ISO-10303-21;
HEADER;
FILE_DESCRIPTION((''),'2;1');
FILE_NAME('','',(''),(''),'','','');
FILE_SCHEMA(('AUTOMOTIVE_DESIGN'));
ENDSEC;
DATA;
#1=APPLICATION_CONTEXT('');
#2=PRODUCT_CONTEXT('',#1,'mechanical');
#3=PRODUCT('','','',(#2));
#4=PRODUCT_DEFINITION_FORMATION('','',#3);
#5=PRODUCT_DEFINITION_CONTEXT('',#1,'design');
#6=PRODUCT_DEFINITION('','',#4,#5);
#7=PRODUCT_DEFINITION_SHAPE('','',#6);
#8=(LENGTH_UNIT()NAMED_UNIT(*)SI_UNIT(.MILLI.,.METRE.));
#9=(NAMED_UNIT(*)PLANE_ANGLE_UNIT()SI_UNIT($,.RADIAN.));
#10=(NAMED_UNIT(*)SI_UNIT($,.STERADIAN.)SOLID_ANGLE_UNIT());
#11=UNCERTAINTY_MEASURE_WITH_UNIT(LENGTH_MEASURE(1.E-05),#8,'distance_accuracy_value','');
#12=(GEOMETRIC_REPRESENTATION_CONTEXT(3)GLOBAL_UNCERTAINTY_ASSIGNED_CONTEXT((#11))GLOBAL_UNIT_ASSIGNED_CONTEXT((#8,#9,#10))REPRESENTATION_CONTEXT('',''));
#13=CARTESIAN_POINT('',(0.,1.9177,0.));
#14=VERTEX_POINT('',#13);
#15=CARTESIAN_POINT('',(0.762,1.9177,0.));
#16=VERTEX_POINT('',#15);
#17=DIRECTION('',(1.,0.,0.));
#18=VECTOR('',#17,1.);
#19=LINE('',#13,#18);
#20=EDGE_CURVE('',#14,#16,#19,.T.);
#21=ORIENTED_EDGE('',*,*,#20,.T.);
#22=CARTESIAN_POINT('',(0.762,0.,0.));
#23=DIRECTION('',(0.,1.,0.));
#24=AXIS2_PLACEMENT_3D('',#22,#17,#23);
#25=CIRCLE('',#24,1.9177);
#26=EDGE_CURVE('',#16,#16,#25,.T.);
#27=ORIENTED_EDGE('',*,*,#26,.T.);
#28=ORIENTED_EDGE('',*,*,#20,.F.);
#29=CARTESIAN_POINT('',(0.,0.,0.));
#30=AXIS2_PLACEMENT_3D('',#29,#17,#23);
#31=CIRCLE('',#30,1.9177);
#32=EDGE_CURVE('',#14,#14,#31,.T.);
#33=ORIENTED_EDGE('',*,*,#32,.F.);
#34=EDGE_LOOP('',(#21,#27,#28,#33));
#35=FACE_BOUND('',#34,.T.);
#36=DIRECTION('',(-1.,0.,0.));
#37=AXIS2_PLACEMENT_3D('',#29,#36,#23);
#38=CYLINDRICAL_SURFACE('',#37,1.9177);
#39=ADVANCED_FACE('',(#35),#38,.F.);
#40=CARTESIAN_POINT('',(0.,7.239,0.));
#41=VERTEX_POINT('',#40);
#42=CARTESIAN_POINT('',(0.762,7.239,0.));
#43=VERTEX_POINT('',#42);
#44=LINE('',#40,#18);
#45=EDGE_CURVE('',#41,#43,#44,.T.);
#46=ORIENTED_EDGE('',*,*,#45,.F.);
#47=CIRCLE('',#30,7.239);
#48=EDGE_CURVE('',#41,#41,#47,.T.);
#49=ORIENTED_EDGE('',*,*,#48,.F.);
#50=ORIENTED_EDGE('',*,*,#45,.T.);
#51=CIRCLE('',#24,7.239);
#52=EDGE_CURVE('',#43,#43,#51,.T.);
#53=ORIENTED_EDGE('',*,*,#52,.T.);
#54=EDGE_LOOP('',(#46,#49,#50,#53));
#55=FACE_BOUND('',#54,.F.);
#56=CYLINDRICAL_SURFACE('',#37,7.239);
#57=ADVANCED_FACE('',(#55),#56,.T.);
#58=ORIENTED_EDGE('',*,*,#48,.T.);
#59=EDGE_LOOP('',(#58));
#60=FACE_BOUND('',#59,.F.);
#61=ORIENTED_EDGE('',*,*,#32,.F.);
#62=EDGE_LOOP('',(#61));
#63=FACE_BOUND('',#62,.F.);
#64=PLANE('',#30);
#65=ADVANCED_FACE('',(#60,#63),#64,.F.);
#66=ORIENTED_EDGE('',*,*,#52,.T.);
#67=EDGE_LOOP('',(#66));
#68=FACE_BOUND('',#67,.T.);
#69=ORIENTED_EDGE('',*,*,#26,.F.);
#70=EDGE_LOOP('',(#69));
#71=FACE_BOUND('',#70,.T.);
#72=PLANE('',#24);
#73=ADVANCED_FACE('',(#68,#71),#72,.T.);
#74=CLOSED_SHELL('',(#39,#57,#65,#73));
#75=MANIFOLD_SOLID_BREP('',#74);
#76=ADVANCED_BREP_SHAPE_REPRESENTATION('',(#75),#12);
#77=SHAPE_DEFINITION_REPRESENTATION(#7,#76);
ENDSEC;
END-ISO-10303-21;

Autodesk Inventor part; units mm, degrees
ref_plane "YZ Plane" through (0, 0, 0) normal (1, 0, 0) x (0, 1, 0)
ref_plane "XZ Plane" through (0, 0, 0) normal (0, 1, 0) x (-1, 0, 0)
sketch "Sketch" plane through (0, 0, 0) normal (1, 0, 0) x (0, 1, 0)
  circle A0 centre (0, 0) radius 7.239
  circle A1 centre (0, 0) radius 1.9177
  dimension "d0" = 3.8354
  dimension "d1" = 14.478
extrude "Body" add sketch "Sketch" along normal blind 0.762
ref_plane "Work Plane1" through (0, 0, 0) normal (0, 0, 1) x (1, 0, 0)
equation "\"d0\" = SD1"
equation "\"d1\" = SD2"
equation "\"d2\" = SD"
equation "\"SD1\" = 3.8354"
equation "\"SD2\" = 14.478"
equation "\"SD\" = 0.762"
equation "\"NND\" = 3.5052"
properties part number "SAE J773b - No. 6. SAE Type L. wide" material "Steel, Mild"
